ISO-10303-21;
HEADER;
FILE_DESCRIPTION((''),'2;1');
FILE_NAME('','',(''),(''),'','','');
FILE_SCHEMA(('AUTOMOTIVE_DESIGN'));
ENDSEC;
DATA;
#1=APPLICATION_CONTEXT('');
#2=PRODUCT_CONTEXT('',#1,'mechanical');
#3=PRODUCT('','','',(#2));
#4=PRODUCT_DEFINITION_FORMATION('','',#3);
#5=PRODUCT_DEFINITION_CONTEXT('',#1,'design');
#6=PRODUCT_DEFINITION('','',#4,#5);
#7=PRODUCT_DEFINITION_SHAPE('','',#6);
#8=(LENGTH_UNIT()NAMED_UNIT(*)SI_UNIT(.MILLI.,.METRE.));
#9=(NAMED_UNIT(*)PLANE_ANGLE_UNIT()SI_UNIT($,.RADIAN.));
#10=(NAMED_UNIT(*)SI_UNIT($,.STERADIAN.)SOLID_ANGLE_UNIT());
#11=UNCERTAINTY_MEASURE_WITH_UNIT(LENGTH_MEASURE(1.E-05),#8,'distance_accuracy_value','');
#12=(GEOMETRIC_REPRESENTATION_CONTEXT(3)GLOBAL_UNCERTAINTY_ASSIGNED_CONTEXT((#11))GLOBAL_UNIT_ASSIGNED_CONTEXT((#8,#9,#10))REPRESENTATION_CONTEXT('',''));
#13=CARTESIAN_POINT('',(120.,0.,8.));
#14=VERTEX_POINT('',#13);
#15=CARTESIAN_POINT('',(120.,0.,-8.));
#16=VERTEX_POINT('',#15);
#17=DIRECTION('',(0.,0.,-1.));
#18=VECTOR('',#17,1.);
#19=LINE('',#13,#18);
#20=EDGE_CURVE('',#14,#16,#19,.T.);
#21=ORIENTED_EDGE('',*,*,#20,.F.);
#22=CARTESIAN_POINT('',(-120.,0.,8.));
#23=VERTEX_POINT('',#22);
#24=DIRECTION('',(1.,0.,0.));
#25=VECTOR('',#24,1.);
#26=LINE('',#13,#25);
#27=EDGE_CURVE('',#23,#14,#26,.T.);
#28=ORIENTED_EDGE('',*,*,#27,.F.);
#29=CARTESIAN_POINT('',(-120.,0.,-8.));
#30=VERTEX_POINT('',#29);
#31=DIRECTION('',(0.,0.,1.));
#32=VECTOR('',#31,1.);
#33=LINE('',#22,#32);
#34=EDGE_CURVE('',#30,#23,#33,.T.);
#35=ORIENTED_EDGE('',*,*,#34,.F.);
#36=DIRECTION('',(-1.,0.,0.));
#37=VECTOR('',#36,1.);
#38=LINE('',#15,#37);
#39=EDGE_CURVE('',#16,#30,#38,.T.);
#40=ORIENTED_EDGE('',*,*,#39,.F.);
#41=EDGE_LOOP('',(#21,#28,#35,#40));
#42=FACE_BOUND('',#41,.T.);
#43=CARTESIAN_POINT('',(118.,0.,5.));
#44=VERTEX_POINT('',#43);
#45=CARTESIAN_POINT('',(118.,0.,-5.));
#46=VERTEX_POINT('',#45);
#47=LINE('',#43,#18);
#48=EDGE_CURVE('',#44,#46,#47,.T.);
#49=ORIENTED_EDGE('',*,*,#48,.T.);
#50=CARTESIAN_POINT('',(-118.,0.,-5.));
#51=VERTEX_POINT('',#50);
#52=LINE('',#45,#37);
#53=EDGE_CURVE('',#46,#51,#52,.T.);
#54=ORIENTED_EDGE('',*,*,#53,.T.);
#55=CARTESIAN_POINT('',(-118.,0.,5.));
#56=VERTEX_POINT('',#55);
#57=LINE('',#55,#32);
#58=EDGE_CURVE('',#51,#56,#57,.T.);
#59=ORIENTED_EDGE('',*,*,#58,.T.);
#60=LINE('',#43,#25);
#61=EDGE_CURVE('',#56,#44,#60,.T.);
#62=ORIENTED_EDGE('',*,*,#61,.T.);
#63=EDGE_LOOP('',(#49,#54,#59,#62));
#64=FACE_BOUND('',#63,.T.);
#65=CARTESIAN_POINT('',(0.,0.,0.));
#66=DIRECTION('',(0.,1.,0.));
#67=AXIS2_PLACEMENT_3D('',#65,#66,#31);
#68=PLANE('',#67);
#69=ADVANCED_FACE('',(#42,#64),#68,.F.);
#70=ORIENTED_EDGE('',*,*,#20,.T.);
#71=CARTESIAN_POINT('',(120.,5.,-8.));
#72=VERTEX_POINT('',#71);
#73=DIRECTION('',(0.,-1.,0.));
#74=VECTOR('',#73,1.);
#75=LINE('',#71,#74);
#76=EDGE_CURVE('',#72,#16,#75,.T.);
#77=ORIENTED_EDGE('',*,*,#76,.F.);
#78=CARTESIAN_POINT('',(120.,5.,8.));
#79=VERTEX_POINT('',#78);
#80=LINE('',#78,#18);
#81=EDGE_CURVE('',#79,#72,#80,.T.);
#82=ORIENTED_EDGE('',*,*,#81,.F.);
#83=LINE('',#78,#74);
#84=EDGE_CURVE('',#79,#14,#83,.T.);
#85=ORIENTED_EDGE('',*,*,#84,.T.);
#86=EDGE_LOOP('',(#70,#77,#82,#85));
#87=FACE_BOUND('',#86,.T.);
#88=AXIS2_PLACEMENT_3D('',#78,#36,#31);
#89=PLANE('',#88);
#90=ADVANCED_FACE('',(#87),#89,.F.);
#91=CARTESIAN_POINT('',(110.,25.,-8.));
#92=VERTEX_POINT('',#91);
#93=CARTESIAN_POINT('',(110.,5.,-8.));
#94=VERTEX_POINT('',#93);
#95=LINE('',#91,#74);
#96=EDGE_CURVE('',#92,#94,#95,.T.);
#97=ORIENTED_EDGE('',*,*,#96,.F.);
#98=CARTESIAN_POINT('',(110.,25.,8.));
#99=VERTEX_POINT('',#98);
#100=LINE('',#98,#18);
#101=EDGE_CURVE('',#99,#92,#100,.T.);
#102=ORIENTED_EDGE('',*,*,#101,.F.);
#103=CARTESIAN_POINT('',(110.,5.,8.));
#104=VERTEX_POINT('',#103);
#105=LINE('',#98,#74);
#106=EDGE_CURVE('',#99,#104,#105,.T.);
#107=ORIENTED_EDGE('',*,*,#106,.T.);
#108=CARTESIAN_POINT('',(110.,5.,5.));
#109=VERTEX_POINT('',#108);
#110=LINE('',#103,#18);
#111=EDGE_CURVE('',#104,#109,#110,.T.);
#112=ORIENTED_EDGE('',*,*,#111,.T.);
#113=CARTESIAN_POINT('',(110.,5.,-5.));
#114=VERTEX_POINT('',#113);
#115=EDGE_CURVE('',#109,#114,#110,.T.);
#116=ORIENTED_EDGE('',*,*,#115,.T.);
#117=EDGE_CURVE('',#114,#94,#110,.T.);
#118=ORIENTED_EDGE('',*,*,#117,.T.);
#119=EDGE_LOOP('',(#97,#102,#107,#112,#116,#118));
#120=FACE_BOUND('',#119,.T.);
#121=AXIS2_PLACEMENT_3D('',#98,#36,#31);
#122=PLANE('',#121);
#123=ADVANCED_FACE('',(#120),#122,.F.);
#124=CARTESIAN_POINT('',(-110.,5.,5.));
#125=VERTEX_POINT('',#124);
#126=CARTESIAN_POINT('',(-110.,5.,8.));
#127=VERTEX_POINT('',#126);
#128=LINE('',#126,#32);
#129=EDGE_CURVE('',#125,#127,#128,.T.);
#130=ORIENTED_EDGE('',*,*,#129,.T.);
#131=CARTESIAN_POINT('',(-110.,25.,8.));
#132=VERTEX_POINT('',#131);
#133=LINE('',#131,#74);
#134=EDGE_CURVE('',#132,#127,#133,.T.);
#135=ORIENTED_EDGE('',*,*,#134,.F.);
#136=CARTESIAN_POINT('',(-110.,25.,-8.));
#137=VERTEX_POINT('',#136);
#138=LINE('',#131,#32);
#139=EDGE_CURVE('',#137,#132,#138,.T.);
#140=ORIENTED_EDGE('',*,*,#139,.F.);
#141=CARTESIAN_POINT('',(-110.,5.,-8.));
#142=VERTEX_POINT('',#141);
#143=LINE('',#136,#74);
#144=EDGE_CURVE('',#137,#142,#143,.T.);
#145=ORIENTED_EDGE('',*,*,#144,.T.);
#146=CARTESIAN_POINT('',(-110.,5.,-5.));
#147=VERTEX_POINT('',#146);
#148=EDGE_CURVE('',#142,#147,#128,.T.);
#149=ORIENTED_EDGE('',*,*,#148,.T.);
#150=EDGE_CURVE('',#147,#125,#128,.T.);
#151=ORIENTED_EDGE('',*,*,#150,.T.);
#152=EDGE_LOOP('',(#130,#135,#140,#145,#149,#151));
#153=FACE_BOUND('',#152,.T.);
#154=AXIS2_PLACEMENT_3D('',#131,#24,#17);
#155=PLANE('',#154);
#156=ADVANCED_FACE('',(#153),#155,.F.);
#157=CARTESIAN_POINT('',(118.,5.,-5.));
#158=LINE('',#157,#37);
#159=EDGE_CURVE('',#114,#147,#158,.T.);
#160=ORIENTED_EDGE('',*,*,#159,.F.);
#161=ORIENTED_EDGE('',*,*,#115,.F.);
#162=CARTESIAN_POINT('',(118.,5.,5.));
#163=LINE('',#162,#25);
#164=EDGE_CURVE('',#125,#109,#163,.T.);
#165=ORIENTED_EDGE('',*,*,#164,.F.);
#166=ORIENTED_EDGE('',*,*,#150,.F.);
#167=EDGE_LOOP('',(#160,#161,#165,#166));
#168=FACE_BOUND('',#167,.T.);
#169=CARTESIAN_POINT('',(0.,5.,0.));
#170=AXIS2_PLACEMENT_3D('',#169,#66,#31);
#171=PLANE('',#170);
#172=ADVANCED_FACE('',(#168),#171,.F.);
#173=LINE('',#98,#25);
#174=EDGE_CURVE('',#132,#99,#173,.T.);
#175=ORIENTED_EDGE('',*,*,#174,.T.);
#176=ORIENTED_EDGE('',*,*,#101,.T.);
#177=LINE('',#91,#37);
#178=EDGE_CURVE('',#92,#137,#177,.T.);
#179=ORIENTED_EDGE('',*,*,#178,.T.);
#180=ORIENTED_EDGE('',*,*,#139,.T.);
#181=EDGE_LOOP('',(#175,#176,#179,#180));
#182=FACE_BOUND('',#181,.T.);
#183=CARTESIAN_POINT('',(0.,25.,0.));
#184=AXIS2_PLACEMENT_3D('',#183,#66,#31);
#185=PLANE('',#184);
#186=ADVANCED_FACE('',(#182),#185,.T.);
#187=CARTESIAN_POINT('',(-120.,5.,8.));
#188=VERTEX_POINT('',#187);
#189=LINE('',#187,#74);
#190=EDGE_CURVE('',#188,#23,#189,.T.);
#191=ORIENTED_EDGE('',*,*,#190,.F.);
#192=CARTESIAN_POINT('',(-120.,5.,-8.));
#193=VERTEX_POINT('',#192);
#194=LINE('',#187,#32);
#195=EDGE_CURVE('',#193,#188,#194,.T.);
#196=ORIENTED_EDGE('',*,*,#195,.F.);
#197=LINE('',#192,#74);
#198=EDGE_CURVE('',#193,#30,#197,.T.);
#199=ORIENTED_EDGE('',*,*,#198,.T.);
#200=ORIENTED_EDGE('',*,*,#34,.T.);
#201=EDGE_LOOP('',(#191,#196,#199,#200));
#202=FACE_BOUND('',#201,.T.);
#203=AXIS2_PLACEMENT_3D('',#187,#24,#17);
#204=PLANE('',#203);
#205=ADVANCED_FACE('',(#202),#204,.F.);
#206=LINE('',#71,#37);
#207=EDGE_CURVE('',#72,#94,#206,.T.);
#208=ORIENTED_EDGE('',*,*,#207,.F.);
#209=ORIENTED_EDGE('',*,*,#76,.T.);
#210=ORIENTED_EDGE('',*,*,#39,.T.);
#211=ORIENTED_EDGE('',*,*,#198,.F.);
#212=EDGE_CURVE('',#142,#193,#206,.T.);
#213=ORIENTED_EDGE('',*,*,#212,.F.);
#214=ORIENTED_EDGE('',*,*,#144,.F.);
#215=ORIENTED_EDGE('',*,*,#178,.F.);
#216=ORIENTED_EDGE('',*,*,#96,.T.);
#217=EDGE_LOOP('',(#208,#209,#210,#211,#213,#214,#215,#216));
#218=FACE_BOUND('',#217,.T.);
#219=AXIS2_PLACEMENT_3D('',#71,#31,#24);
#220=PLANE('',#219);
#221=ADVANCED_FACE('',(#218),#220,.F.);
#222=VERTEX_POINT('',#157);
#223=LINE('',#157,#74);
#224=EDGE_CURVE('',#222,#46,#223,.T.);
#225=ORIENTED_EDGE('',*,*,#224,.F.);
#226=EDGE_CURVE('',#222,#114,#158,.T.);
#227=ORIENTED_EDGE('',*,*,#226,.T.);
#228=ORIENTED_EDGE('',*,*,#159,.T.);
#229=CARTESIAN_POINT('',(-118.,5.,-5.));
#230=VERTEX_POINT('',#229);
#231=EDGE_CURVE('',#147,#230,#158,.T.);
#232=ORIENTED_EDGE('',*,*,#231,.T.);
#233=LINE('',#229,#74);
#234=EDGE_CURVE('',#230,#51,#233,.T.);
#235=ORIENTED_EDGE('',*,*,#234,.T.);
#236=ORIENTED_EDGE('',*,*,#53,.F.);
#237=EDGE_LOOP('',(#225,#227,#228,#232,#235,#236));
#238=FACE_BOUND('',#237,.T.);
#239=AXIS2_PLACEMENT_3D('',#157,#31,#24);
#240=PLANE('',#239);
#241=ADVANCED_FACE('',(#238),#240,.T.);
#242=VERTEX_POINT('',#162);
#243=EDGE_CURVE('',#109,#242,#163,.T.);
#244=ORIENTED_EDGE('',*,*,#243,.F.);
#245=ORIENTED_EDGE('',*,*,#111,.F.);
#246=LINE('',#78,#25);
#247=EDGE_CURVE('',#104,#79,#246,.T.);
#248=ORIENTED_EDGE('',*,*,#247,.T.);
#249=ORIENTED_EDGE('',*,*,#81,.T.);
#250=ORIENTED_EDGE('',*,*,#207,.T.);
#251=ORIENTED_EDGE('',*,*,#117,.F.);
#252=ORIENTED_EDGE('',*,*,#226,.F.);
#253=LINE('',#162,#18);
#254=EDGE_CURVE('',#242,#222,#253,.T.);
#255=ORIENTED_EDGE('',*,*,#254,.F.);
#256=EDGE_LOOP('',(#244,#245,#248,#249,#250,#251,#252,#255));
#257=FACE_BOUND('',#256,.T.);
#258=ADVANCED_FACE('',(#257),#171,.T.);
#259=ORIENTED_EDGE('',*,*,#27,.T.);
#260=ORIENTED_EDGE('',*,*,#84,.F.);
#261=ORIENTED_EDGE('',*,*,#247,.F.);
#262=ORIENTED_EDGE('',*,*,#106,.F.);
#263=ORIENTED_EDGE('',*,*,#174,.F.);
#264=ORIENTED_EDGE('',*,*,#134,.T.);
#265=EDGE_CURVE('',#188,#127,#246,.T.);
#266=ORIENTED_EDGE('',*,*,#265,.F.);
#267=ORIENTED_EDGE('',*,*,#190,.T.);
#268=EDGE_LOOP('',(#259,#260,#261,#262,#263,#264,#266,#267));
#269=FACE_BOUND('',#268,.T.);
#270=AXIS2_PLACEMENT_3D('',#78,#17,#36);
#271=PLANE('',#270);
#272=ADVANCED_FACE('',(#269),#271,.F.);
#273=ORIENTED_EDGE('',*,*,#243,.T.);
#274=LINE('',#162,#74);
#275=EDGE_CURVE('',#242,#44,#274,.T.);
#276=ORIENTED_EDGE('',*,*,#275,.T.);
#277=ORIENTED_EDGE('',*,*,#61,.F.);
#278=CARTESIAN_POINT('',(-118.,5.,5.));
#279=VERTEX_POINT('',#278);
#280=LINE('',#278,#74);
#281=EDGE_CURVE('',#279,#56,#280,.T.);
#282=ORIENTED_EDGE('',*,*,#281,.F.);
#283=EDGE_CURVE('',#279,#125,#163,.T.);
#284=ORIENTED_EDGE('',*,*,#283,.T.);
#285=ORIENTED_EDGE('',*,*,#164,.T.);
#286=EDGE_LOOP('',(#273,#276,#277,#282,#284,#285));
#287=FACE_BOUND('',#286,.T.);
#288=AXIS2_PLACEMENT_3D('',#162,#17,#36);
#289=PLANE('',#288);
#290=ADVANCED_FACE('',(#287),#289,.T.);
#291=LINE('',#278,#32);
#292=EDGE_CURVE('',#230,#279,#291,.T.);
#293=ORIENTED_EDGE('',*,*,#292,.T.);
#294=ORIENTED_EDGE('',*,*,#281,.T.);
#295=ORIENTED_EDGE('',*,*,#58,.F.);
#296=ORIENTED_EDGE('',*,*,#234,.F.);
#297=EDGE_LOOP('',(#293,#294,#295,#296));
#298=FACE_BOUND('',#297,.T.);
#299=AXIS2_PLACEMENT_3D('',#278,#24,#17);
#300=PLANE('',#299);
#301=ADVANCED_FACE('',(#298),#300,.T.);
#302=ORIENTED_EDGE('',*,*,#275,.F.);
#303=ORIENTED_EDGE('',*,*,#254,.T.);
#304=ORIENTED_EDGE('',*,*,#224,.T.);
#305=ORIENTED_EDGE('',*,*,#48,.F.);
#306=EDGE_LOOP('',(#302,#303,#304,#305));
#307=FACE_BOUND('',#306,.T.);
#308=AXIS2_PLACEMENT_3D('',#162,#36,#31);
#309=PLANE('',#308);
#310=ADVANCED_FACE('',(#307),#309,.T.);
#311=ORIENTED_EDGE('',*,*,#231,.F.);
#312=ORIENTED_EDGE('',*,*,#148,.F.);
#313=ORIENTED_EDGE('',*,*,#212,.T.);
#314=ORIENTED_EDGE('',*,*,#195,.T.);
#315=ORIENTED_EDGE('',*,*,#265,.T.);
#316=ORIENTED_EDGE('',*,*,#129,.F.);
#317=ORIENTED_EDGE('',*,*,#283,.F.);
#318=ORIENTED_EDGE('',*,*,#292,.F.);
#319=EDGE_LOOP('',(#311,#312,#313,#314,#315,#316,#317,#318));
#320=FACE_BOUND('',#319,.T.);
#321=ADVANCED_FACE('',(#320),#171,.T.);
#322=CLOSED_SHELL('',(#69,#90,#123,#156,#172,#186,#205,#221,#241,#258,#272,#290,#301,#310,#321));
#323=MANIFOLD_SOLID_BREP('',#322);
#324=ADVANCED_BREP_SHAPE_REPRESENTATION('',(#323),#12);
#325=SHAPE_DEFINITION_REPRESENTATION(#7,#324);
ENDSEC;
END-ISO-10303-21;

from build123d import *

# Parameters (mm, degrees)
SKETCH1_W           = 240
SKETCH1_H           = 16
BOSS_EXTRUDE1_DEPTH = 5
SKETCH2_W           = 236
SKETCH2_H           = 10
CUT_EXTRUDE1_DEPTH  = 5
SKETCH4_W           = 220
SKETCH4_H           = 16
BOSS_EXTRUDE3_DEPTH = 20


with BuildPart() as part:
    # Sketch1 → Boss-Extrude1 (new body)
    with BuildSketch(Plane(origin=(0, 0, 0), x_dir=(1, 0, 0), z_dir=(0, 1, 0))):
        Rectangle(SKETCH1_W, SKETCH1_H)
    extrude(amount=BOSS_EXTRUDE1_DEPTH)

    # Sketch2 → Cut-Extrude1 (cut)
    with BuildSketch(Plane(origin=(0, 0, 0), x_dir=(1, 0, 0), z_dir=(0, 1, 0))):
        Rectangle(SKETCH2_W, SKETCH2_H)
    extrude(amount=CUT_EXTRUDE1_DEPTH, mode=Mode.SUBTRACT)

    # Sketch4 → Boss-Extrude3 (add)
    with BuildSketch(Plane(origin=(0, 5, 0), x_dir=(1, 0, 0), z_dir=(0, 1, 0))):
        Rectangle(SKETCH4_W, SKETCH4_H)
    extrude(amount=BOSS_EXTRUDE3_DEPTH)


solid = part.part
